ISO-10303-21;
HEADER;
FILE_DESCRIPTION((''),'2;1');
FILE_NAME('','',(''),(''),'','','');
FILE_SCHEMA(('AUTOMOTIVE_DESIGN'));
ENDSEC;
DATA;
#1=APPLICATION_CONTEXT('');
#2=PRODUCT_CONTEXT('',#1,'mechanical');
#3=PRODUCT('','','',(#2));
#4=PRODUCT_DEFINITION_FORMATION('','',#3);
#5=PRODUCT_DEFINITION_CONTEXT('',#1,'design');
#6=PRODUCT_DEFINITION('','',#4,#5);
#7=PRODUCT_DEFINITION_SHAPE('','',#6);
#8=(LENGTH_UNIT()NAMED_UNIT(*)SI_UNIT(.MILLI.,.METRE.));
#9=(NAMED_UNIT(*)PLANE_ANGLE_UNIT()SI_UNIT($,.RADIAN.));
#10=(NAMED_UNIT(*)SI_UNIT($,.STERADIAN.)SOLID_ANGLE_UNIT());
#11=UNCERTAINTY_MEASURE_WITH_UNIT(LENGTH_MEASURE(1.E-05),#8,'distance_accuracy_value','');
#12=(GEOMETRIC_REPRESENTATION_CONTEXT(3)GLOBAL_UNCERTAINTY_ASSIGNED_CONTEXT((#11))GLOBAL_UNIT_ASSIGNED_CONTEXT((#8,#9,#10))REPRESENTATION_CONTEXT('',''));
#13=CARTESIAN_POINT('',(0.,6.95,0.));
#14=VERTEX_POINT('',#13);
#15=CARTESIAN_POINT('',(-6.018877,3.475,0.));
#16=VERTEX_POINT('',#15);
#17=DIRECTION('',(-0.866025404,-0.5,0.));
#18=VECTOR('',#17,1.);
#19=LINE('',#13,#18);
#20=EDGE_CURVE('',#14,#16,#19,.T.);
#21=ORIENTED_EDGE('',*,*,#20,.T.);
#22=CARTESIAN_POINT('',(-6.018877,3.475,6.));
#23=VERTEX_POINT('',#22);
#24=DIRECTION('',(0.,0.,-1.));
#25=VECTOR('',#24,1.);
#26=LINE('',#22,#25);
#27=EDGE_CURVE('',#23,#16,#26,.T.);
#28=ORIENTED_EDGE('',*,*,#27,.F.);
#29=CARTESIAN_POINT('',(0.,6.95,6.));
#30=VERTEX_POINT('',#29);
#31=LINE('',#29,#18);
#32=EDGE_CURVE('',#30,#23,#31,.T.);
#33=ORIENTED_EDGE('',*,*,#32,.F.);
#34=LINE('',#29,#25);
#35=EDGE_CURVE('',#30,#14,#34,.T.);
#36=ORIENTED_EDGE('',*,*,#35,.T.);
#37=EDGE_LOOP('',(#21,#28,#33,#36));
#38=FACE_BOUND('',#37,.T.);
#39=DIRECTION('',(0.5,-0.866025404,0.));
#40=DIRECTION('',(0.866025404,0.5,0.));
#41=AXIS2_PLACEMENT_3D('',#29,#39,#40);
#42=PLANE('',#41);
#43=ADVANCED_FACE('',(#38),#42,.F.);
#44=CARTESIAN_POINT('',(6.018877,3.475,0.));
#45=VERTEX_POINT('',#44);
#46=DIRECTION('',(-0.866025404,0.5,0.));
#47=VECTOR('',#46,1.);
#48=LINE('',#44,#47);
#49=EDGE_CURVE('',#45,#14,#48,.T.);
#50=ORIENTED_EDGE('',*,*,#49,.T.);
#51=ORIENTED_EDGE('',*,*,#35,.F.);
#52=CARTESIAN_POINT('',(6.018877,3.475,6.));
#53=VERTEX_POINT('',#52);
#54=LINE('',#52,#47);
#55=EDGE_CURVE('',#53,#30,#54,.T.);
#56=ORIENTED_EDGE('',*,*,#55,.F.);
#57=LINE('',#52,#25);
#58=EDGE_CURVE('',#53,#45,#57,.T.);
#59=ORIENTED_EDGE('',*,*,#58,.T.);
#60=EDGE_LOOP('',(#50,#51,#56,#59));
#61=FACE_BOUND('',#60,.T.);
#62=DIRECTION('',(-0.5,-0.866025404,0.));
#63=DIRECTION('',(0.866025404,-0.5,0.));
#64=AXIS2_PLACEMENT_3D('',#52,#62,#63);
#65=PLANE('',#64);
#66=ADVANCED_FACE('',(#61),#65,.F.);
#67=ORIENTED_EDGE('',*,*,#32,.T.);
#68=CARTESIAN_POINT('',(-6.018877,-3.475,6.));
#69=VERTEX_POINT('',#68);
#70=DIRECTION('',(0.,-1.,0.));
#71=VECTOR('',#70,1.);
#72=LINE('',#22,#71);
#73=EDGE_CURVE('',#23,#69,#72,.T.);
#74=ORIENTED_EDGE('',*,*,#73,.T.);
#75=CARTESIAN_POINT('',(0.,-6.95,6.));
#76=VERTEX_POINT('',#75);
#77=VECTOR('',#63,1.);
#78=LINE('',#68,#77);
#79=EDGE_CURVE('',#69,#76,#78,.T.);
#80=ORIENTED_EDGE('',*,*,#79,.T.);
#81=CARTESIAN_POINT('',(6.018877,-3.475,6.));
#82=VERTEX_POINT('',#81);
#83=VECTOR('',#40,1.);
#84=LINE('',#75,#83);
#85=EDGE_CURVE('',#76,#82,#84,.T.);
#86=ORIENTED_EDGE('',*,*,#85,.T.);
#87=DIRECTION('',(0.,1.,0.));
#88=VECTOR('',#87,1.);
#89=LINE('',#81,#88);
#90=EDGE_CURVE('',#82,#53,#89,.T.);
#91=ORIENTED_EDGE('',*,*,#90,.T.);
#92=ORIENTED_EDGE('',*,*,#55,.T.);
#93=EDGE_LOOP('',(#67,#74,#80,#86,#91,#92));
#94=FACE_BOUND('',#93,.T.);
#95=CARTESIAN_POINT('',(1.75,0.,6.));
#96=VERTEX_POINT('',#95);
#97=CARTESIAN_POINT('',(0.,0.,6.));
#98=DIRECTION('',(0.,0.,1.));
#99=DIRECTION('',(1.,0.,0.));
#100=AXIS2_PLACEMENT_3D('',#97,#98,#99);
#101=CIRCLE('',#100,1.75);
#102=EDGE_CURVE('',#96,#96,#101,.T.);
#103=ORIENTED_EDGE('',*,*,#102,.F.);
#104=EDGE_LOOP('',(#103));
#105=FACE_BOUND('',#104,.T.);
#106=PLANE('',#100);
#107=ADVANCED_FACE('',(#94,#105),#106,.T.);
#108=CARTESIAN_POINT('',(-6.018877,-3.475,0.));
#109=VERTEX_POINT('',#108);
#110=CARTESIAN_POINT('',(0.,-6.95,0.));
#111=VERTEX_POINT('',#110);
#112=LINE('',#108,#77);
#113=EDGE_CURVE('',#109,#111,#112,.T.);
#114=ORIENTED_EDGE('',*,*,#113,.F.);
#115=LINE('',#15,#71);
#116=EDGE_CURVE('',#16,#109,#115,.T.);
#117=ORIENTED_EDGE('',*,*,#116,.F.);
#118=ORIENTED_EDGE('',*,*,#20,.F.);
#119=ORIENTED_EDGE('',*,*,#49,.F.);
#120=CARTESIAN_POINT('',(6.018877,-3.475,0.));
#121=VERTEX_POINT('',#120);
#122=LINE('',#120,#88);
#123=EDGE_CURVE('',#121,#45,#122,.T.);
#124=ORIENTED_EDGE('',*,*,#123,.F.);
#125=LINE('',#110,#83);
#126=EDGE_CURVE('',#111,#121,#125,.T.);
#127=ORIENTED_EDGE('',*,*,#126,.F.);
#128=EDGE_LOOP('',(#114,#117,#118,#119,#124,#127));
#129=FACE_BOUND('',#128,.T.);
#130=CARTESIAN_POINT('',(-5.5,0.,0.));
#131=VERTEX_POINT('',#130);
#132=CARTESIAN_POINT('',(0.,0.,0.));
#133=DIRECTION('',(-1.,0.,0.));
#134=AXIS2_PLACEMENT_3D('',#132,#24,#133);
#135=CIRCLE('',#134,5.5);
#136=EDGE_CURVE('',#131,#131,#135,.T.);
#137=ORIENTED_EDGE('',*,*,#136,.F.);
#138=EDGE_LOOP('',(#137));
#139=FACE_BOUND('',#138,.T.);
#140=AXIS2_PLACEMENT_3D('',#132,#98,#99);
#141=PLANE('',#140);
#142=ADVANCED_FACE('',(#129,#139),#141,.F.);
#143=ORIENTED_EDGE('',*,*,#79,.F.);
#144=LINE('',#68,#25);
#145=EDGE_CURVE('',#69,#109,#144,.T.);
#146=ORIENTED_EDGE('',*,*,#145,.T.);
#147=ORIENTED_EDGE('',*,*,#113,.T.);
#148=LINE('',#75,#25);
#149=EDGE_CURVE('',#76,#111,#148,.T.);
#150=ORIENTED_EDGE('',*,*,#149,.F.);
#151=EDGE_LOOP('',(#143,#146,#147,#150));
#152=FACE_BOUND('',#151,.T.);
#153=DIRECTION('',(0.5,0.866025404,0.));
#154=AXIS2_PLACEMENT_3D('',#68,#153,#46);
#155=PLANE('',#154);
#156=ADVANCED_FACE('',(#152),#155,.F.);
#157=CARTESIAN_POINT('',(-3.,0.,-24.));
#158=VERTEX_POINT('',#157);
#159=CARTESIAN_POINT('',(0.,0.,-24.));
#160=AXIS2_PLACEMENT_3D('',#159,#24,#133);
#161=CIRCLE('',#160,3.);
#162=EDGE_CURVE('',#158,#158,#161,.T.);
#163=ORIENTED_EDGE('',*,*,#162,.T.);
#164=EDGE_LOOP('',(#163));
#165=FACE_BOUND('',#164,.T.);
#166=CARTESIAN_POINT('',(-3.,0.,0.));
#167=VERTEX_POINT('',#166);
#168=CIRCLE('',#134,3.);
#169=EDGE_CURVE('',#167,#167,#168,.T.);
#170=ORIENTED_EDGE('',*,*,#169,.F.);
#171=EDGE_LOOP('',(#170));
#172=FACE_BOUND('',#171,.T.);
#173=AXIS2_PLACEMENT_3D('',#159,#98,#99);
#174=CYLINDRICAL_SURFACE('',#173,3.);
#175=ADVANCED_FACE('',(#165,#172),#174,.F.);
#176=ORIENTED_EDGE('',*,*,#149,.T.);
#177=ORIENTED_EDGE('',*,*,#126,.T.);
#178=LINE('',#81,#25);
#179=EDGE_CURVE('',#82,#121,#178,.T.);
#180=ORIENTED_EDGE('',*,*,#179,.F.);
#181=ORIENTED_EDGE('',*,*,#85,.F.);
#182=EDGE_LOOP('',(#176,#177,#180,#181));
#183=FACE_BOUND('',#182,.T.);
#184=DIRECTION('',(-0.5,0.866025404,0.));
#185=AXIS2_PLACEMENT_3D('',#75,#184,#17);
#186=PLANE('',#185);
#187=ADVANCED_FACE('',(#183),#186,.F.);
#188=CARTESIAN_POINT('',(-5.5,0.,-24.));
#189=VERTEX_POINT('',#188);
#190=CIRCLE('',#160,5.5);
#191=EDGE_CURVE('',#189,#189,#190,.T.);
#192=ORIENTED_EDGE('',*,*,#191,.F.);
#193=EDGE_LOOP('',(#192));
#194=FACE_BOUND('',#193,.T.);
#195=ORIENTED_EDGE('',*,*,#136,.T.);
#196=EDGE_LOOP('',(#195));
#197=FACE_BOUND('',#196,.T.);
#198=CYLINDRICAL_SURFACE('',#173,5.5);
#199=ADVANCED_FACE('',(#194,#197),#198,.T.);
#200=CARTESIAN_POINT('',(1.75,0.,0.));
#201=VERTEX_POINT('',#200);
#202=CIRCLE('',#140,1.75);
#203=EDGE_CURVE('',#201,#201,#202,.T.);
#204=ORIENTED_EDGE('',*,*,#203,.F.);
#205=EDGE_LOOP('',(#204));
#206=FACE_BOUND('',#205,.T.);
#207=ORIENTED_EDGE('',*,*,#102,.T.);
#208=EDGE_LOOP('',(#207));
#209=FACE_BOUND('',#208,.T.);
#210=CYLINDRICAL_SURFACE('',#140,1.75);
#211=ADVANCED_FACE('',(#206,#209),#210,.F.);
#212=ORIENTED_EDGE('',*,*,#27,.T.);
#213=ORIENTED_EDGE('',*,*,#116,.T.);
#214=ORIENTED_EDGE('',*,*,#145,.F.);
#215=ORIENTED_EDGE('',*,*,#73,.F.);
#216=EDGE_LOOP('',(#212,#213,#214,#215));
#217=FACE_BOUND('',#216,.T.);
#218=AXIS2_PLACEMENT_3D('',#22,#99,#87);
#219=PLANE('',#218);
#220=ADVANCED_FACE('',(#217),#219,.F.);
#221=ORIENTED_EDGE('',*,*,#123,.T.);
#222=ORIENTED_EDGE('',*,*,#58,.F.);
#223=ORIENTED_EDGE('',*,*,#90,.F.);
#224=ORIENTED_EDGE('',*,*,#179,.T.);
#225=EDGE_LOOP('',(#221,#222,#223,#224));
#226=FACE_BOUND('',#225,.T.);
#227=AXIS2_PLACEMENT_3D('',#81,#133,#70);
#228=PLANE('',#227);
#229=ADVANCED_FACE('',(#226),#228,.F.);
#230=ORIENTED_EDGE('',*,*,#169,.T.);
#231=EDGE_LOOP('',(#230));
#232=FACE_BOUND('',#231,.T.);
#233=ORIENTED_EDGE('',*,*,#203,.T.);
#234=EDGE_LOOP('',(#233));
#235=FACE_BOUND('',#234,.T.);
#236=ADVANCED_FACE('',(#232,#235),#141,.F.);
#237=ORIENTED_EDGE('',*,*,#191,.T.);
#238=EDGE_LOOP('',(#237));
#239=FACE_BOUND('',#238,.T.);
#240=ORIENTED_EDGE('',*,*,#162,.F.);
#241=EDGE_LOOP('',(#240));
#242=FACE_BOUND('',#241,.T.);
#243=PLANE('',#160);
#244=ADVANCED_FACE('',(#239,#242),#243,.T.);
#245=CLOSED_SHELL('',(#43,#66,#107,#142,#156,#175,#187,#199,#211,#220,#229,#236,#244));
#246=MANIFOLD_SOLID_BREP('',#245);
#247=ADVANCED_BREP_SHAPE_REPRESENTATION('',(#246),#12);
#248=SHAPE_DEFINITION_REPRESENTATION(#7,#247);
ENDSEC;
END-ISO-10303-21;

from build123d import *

# Parameters (mm, degrees)
BOSS_EXTRUDE1_DEPTH = 6
SKETCH3_R           = 1.75
CUT_EXTRUDE1_DEPTH  = 6
SKETCH4_R           = 5.5
SKETCH4_R_2         = 3
BOSS_EXTRUDE2_DEPTH = 24


with BuildPart() as part:
    # Sketch2 → Boss-Extrude1 (new body)
    with BuildSketch(Plane.XY):
        Polygon((0, 6.95), (-6.018876556, 3.475), (-6.018876556, -3.475), (0, -6.95), (6.018876556, -3.475), (6.018876556, 3.475), align=None)
    extrude(amount=BOSS_EXTRUDE1_DEPTH)

    # Sketch3 → Cut-Extrude1 (cut)
    with BuildSketch(Plane.XY.offset(6)):
        Circle(SKETCH3_R)
    extrude(amount=-CUT_EXTRUDE1_DEPTH, mode=Mode.SUBTRACT)

    # Sketch4 → Boss-Extrude2 (add)
    with BuildSketch(Plane(origin=(0, 0, 0), x_dir=(-1, 0, 0), z_dir=(0, 0, -1))):
        Circle(SKETCH4_R)
        Circle(SKETCH4_R_2, mode=Mode.SUBTRACT)
    extrude(amount=BOSS_EXTRUDE2_DEPTH)


solid = part.part
